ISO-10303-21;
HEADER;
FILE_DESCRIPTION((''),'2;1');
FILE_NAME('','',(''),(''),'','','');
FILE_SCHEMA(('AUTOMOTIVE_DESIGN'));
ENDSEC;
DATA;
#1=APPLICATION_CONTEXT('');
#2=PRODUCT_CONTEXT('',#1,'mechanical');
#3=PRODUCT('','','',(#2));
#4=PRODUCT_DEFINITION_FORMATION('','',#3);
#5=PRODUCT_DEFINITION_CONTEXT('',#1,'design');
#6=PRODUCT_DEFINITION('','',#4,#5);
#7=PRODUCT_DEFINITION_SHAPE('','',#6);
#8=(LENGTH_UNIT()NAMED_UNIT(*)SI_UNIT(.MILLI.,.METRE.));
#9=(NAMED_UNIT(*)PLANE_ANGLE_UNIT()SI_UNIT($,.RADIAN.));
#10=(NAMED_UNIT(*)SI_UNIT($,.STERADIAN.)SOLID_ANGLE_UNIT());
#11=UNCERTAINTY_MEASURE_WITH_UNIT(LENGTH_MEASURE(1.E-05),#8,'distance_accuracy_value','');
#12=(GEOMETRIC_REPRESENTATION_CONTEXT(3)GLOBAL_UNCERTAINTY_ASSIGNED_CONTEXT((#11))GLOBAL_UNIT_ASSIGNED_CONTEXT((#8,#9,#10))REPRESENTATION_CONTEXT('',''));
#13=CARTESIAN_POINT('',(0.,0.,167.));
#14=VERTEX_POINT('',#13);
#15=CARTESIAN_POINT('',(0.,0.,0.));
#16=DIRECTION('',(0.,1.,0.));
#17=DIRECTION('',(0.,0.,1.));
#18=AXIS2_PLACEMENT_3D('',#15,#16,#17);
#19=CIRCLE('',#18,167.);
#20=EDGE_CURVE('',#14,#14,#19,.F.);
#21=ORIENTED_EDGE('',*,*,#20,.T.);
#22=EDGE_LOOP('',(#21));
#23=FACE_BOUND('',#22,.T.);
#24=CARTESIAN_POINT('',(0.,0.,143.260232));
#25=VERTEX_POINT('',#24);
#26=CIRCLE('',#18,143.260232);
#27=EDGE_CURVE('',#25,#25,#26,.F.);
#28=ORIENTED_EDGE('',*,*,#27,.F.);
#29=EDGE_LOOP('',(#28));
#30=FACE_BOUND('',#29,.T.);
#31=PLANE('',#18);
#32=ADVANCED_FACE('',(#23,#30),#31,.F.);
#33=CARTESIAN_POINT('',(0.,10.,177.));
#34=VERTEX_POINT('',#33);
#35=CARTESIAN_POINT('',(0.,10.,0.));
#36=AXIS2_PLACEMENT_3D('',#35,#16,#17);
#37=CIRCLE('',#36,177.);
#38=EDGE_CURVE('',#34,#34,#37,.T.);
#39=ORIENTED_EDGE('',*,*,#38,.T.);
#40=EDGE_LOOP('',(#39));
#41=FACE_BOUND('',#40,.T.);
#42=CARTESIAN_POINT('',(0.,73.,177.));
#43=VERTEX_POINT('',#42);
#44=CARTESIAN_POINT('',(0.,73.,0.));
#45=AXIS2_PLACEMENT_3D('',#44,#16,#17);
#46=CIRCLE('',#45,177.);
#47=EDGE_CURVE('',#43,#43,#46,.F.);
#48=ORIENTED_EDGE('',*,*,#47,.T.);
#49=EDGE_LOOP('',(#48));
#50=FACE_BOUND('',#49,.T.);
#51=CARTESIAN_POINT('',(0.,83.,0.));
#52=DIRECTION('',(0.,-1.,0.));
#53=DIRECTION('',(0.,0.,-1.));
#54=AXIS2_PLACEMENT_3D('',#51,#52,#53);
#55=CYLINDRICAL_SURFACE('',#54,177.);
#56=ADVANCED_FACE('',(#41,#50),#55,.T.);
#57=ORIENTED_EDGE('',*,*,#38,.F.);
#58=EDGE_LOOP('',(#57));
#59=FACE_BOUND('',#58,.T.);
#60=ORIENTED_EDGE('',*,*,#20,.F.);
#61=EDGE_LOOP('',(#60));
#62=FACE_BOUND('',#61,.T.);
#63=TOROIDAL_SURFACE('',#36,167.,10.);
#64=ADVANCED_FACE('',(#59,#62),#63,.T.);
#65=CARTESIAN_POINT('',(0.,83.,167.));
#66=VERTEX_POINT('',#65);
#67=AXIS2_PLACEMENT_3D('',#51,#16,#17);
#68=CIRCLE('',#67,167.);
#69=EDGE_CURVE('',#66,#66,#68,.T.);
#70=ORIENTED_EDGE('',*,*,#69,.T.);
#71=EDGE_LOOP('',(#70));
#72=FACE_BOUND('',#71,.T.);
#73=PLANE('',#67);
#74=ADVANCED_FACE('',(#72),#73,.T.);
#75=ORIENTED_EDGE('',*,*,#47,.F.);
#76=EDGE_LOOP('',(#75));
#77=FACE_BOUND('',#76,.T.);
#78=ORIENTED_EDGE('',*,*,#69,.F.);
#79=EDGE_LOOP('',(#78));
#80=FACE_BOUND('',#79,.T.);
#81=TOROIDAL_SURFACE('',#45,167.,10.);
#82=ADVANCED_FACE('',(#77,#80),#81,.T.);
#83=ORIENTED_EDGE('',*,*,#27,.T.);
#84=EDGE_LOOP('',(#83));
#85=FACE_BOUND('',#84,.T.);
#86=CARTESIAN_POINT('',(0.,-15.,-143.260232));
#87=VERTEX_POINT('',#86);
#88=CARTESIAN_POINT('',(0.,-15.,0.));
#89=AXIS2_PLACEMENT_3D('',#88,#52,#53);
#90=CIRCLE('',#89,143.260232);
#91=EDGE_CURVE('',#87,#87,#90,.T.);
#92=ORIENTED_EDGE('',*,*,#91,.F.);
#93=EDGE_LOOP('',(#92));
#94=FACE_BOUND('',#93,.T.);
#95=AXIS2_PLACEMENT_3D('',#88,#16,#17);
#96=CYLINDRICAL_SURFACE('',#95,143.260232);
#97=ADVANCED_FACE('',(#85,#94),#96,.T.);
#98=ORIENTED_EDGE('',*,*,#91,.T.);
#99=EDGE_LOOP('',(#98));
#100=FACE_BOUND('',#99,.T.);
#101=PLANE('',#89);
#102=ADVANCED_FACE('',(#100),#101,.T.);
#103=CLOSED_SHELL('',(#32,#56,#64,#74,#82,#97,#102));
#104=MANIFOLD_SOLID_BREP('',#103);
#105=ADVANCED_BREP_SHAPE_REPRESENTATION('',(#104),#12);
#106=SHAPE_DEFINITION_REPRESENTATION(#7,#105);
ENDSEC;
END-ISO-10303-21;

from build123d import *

# Parameters (mm, degrees)
SKETCH1_R           = 177
BOSS_EXTRUDE1_DEPTH = 83
FILLET1_R           = 10
SKETCH2_R           = 143.260231918
BOSS_EXTRUDE2_DEPTH = 15


with BuildPart() as part:
    # Sketch1 → Boss-Extrude1 (new body)
    with BuildSketch(Plane(origin=(0, 0, 0), x_dir=(1, 0, 0), z_dir=(0, 1, 0))):
        Circle(SKETCH1_R)
    extrude(amount=BOSS_EXTRUDE1_DEPTH)

    # Fillet1
    fillet1_edges = [part.edges().sort_by_distance(p)[0] for p in [
        (-177, 0, 0),
        (-177, 83, 0),
    ]]
    fillet(fillet1_edges, radius=FILLET1_R)

    # Sketch2 → Boss-Extrude2 (add)
    with BuildSketch(Plane.XZ):
        Circle(SKETCH2_R)
    extrude(amount=BOSS_EXTRUDE2_DEPTH)


solid = part.part
